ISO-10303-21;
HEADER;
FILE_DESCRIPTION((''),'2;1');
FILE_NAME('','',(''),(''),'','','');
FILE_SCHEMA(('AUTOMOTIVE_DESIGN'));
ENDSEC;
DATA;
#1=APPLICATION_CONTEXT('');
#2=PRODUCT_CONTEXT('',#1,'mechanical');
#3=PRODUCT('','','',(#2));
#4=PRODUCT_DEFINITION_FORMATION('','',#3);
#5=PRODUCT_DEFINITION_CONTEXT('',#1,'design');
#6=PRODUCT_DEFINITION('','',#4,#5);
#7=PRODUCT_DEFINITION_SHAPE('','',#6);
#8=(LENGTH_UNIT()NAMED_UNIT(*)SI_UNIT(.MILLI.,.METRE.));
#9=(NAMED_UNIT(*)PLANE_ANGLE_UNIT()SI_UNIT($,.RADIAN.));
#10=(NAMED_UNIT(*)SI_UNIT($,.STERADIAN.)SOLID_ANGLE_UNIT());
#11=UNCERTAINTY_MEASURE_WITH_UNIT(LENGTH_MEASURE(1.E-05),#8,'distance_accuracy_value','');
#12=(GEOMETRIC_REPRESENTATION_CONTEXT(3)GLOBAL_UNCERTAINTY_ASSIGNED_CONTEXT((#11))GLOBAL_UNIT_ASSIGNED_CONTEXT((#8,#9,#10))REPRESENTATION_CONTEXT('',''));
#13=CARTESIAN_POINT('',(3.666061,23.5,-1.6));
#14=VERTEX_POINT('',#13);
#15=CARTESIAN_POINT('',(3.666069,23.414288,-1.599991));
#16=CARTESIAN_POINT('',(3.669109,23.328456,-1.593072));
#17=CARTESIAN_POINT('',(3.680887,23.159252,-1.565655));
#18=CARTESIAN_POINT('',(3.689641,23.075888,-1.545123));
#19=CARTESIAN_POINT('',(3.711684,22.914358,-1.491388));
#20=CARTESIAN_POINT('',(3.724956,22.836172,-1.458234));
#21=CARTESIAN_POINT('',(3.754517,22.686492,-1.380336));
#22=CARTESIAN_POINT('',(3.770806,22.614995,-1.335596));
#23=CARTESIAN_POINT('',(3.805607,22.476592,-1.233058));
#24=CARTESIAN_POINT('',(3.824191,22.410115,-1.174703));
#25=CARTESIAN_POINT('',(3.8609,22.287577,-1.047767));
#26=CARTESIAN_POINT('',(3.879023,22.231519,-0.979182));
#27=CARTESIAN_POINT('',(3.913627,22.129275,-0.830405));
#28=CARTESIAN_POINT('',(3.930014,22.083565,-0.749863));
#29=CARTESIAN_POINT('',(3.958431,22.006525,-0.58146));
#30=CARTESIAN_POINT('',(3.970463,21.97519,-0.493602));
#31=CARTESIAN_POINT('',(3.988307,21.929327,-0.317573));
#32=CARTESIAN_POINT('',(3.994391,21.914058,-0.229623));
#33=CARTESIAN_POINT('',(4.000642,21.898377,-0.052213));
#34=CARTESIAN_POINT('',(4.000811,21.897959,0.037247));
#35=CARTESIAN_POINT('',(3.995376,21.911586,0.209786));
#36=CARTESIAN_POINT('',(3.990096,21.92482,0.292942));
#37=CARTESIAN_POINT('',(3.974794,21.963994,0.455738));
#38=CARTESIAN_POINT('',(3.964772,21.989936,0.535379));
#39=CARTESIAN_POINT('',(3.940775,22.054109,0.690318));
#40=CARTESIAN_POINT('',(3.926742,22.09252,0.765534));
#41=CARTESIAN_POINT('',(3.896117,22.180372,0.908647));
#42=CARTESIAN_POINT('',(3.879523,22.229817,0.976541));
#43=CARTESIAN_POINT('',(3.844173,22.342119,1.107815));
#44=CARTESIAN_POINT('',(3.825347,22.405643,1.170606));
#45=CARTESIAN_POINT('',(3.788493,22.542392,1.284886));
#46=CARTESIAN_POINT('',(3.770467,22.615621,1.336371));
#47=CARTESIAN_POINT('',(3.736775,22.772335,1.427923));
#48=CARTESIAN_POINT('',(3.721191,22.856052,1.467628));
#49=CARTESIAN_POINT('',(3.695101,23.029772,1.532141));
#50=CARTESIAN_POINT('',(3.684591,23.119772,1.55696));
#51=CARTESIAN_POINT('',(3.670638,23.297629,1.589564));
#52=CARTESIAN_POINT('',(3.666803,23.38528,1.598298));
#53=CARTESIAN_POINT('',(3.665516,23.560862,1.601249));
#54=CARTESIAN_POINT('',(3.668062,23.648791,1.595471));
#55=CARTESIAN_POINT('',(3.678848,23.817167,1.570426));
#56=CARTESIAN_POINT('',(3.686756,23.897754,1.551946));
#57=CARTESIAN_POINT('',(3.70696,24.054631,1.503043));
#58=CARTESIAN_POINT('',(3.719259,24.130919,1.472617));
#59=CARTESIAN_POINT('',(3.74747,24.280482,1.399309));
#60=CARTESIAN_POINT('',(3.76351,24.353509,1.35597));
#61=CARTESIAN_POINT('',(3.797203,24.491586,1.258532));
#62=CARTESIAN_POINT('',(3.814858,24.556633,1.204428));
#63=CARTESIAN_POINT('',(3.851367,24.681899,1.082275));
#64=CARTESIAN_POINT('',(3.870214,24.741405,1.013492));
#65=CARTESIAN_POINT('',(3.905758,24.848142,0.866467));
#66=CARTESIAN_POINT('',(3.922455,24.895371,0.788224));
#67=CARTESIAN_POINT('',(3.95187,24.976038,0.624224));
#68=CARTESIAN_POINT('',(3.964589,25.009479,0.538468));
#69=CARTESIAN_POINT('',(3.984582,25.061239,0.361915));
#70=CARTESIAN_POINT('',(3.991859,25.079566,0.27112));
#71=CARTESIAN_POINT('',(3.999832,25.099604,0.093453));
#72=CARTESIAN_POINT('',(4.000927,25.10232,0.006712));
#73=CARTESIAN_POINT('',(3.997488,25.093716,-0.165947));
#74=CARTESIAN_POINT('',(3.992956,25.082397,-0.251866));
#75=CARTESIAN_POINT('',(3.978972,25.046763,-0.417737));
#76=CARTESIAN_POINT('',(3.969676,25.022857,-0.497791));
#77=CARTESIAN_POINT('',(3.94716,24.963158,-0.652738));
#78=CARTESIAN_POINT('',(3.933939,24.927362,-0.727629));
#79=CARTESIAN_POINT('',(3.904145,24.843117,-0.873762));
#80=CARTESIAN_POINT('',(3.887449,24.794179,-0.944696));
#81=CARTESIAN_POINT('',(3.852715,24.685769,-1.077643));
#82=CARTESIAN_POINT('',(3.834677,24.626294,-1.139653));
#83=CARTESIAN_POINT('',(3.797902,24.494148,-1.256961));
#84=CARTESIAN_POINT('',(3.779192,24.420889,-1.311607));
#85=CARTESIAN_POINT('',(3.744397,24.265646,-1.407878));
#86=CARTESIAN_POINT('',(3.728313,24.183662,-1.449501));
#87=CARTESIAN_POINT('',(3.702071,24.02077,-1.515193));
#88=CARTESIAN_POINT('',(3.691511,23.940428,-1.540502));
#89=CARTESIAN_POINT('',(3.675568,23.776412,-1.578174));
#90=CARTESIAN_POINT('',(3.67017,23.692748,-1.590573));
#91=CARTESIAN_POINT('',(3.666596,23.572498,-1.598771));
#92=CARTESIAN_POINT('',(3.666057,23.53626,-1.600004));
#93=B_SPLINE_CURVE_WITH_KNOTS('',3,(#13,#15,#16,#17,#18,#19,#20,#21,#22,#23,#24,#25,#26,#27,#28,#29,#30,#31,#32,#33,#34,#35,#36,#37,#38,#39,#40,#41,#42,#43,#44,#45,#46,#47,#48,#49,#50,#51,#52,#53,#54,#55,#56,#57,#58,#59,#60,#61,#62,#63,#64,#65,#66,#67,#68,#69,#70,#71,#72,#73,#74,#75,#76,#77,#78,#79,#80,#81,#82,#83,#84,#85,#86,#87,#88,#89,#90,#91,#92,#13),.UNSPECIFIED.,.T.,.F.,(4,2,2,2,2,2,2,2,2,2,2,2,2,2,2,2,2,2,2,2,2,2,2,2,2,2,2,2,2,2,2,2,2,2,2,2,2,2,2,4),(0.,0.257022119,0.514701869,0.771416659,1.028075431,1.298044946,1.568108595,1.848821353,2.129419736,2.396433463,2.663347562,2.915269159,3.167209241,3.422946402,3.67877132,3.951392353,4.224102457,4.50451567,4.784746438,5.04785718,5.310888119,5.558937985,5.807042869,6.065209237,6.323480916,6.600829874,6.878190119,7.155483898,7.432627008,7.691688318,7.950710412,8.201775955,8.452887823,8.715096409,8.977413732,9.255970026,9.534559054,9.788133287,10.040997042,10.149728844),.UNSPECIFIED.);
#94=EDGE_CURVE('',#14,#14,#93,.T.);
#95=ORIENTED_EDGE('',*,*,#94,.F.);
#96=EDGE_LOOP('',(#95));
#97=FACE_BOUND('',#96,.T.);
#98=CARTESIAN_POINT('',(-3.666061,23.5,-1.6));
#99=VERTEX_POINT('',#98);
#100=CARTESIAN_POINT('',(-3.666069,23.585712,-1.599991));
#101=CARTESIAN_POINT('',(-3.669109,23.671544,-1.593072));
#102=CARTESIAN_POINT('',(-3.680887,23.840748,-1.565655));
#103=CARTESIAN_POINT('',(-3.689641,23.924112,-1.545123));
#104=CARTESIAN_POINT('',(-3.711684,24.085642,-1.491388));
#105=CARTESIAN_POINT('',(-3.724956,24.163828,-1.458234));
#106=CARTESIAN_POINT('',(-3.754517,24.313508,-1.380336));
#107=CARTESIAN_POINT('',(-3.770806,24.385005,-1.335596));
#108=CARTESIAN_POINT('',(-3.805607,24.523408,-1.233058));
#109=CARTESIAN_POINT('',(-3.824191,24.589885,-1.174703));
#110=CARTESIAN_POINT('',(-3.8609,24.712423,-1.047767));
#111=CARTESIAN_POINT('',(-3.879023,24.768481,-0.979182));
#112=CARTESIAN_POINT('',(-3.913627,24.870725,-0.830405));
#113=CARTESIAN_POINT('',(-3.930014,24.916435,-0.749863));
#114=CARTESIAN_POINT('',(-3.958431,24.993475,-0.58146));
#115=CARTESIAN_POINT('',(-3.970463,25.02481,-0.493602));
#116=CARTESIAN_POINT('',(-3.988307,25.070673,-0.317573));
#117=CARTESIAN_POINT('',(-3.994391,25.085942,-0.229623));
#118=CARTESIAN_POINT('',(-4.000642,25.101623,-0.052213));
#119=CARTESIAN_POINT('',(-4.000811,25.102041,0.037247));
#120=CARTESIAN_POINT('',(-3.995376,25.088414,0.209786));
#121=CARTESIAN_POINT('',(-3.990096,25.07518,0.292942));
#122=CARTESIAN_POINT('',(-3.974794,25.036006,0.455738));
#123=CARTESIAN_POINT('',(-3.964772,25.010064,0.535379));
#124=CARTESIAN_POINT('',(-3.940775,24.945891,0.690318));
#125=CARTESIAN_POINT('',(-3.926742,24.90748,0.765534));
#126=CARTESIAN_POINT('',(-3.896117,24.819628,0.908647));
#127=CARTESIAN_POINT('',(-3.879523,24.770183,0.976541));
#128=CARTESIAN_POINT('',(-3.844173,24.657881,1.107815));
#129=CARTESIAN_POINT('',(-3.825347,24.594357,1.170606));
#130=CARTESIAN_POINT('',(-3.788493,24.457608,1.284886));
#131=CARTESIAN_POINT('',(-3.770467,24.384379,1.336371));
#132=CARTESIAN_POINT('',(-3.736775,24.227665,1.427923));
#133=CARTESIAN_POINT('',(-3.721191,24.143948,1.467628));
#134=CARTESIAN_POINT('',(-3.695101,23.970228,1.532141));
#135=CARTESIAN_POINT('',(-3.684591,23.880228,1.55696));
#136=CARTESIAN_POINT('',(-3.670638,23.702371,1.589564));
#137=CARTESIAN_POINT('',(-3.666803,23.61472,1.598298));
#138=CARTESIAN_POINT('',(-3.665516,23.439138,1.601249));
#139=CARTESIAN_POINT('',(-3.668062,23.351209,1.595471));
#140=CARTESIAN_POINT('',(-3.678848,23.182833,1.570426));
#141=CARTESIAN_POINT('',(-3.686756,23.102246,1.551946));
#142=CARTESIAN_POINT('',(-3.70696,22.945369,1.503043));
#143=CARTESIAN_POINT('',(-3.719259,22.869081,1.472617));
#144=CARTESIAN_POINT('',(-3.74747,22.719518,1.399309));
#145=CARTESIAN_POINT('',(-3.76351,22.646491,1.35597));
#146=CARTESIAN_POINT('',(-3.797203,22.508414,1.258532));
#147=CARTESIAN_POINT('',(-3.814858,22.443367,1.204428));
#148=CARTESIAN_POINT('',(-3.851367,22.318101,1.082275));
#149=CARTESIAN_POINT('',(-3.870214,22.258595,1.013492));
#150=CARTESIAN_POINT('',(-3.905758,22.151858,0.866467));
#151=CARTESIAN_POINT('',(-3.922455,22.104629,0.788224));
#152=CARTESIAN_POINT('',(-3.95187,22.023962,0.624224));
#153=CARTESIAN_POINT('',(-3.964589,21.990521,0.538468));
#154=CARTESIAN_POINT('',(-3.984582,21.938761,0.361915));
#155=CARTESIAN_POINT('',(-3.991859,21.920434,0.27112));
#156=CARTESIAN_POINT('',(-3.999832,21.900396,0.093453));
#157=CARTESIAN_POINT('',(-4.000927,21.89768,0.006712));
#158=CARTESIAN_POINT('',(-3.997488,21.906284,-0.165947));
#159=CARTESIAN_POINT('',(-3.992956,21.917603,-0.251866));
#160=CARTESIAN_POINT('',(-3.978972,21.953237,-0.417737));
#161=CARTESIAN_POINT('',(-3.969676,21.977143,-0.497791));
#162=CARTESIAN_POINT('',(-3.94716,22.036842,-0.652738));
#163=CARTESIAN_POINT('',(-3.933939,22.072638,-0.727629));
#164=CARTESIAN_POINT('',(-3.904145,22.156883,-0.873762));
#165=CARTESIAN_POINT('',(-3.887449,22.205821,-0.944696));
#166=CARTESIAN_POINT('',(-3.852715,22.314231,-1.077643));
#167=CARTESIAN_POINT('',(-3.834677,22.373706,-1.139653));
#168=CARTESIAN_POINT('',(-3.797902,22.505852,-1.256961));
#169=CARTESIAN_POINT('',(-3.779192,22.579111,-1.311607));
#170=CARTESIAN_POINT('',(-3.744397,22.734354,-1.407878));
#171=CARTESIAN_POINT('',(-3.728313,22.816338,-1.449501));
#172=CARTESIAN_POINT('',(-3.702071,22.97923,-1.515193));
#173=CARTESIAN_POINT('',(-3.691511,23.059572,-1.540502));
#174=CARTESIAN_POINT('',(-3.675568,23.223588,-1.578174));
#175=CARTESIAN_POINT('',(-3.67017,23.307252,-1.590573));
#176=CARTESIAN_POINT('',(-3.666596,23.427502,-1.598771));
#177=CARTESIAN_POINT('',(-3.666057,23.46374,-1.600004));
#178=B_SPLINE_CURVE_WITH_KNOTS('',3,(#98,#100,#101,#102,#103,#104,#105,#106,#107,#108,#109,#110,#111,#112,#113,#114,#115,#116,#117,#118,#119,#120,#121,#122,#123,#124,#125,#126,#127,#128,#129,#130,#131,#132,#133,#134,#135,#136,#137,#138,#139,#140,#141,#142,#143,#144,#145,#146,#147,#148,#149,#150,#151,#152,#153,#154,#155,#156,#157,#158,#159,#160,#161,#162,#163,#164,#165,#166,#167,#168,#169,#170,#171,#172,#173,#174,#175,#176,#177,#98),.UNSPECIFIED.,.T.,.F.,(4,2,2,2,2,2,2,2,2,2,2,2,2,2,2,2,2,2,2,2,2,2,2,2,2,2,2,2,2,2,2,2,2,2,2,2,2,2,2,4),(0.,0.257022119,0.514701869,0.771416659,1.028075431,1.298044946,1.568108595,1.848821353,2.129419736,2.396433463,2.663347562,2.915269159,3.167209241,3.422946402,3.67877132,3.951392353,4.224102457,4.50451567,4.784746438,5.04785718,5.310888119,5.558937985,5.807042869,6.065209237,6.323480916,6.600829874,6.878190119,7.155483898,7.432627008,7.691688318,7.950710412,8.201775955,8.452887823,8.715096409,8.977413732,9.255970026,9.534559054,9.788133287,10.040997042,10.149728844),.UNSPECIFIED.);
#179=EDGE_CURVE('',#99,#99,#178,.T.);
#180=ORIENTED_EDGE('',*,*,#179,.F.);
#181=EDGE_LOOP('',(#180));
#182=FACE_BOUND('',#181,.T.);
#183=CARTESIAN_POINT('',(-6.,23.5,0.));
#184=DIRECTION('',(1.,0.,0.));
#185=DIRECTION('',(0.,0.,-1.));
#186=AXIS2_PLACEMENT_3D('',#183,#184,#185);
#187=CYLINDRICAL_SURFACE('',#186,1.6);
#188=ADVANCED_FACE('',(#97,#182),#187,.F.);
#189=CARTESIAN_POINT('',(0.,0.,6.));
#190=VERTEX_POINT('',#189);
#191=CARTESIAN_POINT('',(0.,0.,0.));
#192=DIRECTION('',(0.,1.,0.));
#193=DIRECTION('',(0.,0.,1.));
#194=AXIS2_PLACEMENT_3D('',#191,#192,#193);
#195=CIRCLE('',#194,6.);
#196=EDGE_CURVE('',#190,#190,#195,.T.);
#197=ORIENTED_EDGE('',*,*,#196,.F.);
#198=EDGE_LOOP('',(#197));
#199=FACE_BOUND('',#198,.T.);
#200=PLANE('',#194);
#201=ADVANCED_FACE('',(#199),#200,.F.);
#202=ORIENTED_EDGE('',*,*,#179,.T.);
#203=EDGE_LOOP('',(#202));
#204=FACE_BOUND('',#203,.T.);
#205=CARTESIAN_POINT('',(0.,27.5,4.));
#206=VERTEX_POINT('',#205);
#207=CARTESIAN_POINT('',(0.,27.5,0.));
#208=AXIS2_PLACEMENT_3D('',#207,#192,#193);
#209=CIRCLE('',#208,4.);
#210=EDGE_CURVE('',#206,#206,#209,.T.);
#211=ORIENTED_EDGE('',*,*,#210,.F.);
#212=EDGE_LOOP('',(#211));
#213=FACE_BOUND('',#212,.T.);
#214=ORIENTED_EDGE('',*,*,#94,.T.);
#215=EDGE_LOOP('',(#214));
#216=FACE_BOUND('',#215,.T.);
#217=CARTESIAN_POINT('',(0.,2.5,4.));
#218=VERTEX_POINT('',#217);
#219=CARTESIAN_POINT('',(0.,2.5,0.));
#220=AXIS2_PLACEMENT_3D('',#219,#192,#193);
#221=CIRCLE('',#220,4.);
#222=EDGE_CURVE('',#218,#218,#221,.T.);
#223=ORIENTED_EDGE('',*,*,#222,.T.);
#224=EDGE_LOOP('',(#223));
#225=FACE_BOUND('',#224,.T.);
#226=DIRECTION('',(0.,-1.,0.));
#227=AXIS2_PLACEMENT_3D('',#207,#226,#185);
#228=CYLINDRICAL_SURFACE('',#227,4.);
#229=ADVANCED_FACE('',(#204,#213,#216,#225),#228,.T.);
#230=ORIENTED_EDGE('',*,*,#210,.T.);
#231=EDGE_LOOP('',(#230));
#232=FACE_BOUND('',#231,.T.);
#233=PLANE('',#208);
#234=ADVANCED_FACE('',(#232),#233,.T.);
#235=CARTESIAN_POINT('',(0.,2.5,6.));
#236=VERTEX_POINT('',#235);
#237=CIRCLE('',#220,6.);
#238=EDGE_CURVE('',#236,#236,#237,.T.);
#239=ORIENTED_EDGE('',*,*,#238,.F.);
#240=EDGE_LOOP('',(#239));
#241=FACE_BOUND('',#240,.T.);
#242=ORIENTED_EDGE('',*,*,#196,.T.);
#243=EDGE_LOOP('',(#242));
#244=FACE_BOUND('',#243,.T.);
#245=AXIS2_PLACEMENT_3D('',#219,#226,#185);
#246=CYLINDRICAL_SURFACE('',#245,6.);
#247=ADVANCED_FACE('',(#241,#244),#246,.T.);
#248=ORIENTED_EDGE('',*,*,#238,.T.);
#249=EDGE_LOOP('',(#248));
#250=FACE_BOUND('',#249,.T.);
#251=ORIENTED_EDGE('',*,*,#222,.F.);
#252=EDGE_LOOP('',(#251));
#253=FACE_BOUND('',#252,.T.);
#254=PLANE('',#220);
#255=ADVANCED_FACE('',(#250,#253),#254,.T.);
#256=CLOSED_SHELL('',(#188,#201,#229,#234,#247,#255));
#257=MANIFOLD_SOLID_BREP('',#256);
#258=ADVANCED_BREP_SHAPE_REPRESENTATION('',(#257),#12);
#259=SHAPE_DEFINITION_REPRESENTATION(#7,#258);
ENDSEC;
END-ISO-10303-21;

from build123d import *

# Parameters (mm, degrees)
SKETCH_1_R               = 6
EXTRUDE_1_DEPTH          = 2.5
SKETCH_2_R               = 4
EXTRUDE_2_DEPTH          = 25
CUT_EXTRUDE_1_DEPTH      = 29.779332862
CUT_EXTRUDE_1_DEPTH_BACK = 29.779332862
SKETCH_3_R               = 1.6


with BuildPart() as part:
    # 草图1 → 凸台-拉伸1 (new body)
    with BuildSketch(Plane(origin=(0, 0, 0), x_dir=(1, 0, 0), z_dir=(0, 1, 0))):
        with Locations(Location((0, 0, 0), (0, 0, 270))):
            Circle(SKETCH_1_R)
    extrude(amount=EXTRUDE_1_DEPTH)

    # 草图2 → 凸台-拉伸2 (add)
    with BuildSketch(Plane(origin=(0, 2.5, 0), x_dir=(1, 0, 0), z_dir=(0, 1, 0))):
        with Locations(Location((0, 0, 0), (0, 0, 270))):
            Circle(SKETCH_2_R)
    extrude(amount=EXTRUDE_2_DEPTH)

    # 草图3 → 切除-拉伸1 (cut, two sides: drawn at the far end of the back side and taken through both)
    with BuildSketch(Plane(origin=(0, 0, 0), x_dir=(0, 0, -1), z_dir=(1, 0, 0)).offset(-CUT_EXTRUDE_1_DEPTH_BACK)):
        with Locations((0, 23.5)):
            Circle(SKETCH_3_R)
    extrude(amount=CUT_EXTRUDE_1_DEPTH + CUT_EXTRUDE_1_DEPTH_BACK, mode=Mode.SUBTRACT)


solid = part.part
